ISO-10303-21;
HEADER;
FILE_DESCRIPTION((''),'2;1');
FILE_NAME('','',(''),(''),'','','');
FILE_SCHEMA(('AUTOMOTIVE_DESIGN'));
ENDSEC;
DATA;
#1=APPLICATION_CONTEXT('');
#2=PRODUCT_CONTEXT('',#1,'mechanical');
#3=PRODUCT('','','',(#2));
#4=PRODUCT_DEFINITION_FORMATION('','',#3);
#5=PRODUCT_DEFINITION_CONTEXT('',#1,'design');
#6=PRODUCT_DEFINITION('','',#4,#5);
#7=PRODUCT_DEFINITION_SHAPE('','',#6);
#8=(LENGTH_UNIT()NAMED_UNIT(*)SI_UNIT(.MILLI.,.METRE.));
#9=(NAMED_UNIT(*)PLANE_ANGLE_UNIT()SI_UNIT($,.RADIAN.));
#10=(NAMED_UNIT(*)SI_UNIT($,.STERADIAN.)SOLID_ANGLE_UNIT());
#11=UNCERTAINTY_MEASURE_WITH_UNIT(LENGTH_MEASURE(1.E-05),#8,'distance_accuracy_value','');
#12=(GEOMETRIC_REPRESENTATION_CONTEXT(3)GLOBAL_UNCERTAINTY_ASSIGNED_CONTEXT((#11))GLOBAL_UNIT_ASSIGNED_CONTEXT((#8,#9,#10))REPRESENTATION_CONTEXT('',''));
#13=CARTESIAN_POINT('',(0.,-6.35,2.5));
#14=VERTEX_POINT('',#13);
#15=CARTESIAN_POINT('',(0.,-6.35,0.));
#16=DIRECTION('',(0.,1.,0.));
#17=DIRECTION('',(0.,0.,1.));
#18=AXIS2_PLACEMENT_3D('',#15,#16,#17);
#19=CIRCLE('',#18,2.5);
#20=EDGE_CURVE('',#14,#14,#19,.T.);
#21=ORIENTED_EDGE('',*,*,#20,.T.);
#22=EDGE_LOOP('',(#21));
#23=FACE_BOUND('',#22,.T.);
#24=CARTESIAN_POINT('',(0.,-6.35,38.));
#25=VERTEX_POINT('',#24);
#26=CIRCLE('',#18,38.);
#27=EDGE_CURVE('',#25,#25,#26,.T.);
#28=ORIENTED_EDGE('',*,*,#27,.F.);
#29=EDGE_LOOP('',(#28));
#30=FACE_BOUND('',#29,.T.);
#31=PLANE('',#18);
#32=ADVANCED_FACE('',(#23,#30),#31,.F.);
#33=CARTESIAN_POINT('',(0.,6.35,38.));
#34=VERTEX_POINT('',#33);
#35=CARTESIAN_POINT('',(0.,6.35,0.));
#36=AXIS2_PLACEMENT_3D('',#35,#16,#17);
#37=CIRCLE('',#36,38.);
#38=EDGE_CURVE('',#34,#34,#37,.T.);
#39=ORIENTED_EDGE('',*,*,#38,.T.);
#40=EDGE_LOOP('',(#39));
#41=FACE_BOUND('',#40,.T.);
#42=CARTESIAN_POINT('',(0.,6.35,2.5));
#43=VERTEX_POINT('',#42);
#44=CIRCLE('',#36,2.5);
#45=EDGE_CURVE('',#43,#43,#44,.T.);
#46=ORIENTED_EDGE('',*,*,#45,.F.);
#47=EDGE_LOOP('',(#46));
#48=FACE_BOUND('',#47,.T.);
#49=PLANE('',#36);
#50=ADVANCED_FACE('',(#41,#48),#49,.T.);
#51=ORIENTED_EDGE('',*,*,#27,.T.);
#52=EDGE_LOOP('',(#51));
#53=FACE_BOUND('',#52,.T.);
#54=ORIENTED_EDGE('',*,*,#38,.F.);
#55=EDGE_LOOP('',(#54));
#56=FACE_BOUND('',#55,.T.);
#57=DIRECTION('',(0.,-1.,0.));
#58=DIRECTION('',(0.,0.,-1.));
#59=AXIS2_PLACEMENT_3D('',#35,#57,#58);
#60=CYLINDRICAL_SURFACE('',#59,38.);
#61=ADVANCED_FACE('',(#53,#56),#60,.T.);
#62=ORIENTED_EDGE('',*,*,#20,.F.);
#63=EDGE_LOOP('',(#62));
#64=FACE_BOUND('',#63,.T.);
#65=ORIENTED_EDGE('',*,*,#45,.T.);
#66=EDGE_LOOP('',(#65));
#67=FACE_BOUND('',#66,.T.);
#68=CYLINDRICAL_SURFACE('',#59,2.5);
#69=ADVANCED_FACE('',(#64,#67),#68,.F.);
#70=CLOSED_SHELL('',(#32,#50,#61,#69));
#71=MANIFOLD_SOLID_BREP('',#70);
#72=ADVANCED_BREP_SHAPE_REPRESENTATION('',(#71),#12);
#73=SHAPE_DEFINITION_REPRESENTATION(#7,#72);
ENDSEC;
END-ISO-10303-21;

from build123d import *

# Parameters (mm, degrees)
SKETCH1_R           = 38
SKETCH1_R_2         = 2.5
BOSS_EXTRUDE1_DEPTH = 6.35


with BuildPart() as part:
    # Sketch1 → Boss-Extrude1 (new, symmetric)
    with BuildSketch(Plane(origin=(0, 0, 0), x_dir=(1, 0, 0), z_dir=(0, 1, 0))):
        with Locations(Location((0, 0, 0), (0, 0, 270))):
            Circle(SKETCH1_R)
        with Locations(Location((0, 0, 0), (0, 0, 270))):
            Circle(SKETCH1_R_2, mode=Mode.SUBTRACT)
    extrude(amount=BOSS_EXTRUDE1_DEPTH, both=True)


solid = part.part
